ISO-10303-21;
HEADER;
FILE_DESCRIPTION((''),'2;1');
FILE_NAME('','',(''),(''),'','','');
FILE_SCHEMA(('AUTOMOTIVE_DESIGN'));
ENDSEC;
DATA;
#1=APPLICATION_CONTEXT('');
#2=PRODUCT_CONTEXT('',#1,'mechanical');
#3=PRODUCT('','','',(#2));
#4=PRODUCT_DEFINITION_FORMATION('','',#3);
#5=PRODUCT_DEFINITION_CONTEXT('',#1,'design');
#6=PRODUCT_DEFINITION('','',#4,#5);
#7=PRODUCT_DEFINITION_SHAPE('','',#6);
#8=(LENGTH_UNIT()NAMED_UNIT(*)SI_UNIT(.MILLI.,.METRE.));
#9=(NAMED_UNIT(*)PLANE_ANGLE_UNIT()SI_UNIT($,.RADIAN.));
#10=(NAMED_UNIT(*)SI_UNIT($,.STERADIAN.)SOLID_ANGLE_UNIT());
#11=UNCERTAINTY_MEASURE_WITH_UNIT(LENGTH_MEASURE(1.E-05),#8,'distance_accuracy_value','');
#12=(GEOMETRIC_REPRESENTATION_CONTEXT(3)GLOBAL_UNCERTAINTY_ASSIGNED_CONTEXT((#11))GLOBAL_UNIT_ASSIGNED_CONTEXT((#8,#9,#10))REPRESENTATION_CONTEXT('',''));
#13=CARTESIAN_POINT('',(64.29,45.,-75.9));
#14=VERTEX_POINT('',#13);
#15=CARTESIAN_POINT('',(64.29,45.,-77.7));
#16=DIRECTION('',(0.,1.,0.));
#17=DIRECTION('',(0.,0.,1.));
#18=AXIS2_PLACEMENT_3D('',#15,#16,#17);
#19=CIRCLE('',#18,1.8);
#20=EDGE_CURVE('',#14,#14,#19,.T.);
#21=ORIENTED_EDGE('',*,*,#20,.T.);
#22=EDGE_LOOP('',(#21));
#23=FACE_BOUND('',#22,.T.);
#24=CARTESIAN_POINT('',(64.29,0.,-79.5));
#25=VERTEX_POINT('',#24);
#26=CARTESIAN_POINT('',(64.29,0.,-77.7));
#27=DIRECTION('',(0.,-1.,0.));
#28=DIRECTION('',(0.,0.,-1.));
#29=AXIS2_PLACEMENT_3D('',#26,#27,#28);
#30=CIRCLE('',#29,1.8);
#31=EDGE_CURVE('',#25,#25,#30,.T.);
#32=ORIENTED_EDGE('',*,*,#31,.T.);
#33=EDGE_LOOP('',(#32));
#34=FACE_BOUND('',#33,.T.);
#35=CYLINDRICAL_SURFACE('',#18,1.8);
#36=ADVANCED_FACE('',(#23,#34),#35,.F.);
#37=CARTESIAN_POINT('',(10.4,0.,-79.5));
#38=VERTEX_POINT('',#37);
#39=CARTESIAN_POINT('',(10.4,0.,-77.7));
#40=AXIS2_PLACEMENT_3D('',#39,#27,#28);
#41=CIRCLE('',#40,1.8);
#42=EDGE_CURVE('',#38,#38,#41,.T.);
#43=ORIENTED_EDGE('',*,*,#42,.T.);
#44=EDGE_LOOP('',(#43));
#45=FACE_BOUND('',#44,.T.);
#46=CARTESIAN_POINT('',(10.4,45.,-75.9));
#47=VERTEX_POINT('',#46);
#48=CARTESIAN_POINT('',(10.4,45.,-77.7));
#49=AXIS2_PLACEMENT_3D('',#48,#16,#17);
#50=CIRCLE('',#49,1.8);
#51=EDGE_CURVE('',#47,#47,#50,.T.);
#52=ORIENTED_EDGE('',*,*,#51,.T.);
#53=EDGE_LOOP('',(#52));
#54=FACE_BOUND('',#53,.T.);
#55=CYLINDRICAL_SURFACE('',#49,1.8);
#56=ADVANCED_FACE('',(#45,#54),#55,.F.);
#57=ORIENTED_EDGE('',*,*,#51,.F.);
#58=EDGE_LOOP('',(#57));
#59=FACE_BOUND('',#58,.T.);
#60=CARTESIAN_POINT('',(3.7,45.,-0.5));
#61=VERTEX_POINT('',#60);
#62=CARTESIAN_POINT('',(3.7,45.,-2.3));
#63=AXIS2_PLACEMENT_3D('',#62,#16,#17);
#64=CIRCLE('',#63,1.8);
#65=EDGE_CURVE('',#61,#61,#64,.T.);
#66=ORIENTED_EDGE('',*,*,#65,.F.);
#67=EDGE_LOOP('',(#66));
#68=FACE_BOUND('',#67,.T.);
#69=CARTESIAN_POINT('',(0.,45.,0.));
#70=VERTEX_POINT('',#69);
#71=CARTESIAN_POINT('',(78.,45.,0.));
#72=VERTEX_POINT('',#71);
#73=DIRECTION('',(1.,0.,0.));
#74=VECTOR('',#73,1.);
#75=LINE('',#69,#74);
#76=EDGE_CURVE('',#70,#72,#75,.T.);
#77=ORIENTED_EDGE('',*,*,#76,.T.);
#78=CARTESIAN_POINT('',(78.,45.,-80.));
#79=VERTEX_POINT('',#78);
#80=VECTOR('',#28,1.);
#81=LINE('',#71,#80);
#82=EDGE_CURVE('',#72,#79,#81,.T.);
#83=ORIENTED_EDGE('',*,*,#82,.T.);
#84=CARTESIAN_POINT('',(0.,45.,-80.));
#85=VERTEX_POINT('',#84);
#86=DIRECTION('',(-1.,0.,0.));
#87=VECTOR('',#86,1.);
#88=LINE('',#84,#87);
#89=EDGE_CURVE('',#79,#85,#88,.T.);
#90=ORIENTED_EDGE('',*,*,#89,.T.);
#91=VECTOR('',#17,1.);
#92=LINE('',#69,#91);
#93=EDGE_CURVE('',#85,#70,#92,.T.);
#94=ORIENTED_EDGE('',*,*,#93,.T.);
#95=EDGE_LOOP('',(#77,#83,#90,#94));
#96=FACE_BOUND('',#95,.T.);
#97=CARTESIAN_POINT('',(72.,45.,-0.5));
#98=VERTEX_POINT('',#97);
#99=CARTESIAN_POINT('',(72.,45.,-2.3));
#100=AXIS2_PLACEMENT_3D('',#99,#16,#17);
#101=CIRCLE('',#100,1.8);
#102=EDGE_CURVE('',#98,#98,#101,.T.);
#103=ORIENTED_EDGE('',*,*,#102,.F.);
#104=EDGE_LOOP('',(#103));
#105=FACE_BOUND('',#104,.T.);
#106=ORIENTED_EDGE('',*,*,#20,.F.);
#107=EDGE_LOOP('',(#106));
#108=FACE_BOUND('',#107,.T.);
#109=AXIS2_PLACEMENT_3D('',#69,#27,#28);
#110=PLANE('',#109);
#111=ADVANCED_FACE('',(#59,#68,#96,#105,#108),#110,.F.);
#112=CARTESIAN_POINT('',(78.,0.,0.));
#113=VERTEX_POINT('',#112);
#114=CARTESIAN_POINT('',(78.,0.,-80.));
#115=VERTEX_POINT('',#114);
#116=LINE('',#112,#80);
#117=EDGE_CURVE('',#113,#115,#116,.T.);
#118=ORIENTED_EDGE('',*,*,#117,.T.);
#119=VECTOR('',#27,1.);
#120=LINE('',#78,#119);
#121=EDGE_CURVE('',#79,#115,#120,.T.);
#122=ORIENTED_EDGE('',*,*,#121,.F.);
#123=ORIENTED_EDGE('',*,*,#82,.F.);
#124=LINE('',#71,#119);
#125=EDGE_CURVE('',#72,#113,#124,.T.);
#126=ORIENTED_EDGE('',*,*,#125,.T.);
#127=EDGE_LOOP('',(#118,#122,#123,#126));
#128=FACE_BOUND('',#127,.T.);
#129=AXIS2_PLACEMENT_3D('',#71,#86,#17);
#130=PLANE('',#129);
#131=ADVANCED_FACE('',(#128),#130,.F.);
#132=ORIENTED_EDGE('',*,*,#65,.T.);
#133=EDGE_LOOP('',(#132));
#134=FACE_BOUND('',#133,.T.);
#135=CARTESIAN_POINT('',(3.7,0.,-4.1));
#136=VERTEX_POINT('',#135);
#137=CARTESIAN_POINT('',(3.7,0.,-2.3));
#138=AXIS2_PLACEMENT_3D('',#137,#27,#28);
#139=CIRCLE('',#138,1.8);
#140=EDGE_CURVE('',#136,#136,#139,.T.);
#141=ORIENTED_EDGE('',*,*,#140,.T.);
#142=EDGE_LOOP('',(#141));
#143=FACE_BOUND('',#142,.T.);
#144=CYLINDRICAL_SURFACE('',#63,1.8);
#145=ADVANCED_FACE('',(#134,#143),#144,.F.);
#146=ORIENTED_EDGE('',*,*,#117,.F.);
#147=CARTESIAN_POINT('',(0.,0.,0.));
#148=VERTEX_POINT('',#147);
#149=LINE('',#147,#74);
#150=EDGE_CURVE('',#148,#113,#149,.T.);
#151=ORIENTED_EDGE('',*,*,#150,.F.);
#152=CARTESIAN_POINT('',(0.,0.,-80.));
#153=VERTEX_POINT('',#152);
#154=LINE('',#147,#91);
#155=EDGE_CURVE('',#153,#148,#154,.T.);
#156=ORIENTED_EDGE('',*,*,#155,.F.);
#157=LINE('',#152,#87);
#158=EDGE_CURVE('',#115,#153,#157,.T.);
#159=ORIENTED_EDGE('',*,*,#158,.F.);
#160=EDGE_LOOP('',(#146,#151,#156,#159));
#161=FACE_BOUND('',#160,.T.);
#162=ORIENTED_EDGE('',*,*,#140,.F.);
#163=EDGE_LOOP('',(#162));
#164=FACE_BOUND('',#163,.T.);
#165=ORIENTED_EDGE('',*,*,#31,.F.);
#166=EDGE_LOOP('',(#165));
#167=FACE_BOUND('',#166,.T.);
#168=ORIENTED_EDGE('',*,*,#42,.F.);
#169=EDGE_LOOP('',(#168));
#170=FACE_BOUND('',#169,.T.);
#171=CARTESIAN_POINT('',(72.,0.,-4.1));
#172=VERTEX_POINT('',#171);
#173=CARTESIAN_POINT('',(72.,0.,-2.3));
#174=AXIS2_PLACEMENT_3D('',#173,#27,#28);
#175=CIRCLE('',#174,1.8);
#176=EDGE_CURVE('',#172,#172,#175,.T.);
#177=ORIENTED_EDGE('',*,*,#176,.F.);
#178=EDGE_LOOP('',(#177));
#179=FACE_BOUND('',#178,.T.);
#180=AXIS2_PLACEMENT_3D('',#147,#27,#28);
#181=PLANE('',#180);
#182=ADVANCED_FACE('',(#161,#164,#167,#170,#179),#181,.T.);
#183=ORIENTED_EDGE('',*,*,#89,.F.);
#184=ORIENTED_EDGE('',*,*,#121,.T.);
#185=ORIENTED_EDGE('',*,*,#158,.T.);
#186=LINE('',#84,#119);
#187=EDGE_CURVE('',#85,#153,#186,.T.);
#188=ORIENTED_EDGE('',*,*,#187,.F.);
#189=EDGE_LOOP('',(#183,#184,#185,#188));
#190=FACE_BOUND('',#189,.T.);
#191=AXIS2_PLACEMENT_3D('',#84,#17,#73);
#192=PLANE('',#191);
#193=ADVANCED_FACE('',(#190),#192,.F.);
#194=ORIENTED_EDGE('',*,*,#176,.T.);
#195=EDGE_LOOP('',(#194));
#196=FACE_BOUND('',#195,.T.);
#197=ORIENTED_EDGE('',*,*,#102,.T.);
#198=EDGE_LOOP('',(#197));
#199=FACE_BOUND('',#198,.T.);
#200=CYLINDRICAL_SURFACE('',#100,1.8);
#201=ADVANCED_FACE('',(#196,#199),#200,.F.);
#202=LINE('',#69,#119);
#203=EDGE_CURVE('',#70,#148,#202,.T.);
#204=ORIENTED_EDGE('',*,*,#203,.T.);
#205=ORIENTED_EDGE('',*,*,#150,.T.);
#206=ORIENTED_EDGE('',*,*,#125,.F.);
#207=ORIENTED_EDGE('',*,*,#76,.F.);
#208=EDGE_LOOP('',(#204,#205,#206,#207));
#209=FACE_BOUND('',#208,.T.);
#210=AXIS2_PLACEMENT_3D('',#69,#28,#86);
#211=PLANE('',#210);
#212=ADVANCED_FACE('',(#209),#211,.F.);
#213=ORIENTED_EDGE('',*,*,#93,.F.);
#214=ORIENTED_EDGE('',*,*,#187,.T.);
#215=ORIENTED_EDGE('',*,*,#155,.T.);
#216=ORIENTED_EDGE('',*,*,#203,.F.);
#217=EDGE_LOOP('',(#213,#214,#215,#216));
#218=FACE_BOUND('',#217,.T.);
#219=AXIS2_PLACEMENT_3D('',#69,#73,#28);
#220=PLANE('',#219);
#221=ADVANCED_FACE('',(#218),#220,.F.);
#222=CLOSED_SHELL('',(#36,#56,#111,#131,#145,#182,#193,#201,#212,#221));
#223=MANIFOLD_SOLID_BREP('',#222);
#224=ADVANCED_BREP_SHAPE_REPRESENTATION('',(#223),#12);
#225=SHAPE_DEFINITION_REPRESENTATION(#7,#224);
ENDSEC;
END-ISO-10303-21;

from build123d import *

# Parameters (mm, degrees)
SKETCH1_W                = 78
SKETCH1_H                = 80
BOSS_EXTRUDE1_DEPTH      = 45
M3_CLEARANCE_HOLE1_D     = 3.6
M3_CLEARANCE_HOLE1_DEPTH = 45


with BuildPart() as part:
    # Sketch1 → Boss-Extrude1 (new body)
    with BuildSketch(Plane(origin=(0, 0, 0), x_dir=(1, 0, 0), z_dir=(0, 1, 0))):
        with Locations((39, 40)):
            Rectangle(SKETCH1_W, SKETCH1_H)
    extrude(amount=BOSS_EXTRUDE1_DEPTH)

    # M3 Clearance Hole1
    with Locations(Plane(origin=(0, 45, 0), x_dir=(1, 0, 0), z_dir=(0, 1, 0))):
        with Locations((10.4, 77.7), (64.29, 77.7), (72, 2.3), (3.7, 2.3)):
            Hole(M3_CLEARANCE_HOLE1_D / 2, depth=M3_CLEARANCE_HOLE1_DEPTH)


solid = part.part
